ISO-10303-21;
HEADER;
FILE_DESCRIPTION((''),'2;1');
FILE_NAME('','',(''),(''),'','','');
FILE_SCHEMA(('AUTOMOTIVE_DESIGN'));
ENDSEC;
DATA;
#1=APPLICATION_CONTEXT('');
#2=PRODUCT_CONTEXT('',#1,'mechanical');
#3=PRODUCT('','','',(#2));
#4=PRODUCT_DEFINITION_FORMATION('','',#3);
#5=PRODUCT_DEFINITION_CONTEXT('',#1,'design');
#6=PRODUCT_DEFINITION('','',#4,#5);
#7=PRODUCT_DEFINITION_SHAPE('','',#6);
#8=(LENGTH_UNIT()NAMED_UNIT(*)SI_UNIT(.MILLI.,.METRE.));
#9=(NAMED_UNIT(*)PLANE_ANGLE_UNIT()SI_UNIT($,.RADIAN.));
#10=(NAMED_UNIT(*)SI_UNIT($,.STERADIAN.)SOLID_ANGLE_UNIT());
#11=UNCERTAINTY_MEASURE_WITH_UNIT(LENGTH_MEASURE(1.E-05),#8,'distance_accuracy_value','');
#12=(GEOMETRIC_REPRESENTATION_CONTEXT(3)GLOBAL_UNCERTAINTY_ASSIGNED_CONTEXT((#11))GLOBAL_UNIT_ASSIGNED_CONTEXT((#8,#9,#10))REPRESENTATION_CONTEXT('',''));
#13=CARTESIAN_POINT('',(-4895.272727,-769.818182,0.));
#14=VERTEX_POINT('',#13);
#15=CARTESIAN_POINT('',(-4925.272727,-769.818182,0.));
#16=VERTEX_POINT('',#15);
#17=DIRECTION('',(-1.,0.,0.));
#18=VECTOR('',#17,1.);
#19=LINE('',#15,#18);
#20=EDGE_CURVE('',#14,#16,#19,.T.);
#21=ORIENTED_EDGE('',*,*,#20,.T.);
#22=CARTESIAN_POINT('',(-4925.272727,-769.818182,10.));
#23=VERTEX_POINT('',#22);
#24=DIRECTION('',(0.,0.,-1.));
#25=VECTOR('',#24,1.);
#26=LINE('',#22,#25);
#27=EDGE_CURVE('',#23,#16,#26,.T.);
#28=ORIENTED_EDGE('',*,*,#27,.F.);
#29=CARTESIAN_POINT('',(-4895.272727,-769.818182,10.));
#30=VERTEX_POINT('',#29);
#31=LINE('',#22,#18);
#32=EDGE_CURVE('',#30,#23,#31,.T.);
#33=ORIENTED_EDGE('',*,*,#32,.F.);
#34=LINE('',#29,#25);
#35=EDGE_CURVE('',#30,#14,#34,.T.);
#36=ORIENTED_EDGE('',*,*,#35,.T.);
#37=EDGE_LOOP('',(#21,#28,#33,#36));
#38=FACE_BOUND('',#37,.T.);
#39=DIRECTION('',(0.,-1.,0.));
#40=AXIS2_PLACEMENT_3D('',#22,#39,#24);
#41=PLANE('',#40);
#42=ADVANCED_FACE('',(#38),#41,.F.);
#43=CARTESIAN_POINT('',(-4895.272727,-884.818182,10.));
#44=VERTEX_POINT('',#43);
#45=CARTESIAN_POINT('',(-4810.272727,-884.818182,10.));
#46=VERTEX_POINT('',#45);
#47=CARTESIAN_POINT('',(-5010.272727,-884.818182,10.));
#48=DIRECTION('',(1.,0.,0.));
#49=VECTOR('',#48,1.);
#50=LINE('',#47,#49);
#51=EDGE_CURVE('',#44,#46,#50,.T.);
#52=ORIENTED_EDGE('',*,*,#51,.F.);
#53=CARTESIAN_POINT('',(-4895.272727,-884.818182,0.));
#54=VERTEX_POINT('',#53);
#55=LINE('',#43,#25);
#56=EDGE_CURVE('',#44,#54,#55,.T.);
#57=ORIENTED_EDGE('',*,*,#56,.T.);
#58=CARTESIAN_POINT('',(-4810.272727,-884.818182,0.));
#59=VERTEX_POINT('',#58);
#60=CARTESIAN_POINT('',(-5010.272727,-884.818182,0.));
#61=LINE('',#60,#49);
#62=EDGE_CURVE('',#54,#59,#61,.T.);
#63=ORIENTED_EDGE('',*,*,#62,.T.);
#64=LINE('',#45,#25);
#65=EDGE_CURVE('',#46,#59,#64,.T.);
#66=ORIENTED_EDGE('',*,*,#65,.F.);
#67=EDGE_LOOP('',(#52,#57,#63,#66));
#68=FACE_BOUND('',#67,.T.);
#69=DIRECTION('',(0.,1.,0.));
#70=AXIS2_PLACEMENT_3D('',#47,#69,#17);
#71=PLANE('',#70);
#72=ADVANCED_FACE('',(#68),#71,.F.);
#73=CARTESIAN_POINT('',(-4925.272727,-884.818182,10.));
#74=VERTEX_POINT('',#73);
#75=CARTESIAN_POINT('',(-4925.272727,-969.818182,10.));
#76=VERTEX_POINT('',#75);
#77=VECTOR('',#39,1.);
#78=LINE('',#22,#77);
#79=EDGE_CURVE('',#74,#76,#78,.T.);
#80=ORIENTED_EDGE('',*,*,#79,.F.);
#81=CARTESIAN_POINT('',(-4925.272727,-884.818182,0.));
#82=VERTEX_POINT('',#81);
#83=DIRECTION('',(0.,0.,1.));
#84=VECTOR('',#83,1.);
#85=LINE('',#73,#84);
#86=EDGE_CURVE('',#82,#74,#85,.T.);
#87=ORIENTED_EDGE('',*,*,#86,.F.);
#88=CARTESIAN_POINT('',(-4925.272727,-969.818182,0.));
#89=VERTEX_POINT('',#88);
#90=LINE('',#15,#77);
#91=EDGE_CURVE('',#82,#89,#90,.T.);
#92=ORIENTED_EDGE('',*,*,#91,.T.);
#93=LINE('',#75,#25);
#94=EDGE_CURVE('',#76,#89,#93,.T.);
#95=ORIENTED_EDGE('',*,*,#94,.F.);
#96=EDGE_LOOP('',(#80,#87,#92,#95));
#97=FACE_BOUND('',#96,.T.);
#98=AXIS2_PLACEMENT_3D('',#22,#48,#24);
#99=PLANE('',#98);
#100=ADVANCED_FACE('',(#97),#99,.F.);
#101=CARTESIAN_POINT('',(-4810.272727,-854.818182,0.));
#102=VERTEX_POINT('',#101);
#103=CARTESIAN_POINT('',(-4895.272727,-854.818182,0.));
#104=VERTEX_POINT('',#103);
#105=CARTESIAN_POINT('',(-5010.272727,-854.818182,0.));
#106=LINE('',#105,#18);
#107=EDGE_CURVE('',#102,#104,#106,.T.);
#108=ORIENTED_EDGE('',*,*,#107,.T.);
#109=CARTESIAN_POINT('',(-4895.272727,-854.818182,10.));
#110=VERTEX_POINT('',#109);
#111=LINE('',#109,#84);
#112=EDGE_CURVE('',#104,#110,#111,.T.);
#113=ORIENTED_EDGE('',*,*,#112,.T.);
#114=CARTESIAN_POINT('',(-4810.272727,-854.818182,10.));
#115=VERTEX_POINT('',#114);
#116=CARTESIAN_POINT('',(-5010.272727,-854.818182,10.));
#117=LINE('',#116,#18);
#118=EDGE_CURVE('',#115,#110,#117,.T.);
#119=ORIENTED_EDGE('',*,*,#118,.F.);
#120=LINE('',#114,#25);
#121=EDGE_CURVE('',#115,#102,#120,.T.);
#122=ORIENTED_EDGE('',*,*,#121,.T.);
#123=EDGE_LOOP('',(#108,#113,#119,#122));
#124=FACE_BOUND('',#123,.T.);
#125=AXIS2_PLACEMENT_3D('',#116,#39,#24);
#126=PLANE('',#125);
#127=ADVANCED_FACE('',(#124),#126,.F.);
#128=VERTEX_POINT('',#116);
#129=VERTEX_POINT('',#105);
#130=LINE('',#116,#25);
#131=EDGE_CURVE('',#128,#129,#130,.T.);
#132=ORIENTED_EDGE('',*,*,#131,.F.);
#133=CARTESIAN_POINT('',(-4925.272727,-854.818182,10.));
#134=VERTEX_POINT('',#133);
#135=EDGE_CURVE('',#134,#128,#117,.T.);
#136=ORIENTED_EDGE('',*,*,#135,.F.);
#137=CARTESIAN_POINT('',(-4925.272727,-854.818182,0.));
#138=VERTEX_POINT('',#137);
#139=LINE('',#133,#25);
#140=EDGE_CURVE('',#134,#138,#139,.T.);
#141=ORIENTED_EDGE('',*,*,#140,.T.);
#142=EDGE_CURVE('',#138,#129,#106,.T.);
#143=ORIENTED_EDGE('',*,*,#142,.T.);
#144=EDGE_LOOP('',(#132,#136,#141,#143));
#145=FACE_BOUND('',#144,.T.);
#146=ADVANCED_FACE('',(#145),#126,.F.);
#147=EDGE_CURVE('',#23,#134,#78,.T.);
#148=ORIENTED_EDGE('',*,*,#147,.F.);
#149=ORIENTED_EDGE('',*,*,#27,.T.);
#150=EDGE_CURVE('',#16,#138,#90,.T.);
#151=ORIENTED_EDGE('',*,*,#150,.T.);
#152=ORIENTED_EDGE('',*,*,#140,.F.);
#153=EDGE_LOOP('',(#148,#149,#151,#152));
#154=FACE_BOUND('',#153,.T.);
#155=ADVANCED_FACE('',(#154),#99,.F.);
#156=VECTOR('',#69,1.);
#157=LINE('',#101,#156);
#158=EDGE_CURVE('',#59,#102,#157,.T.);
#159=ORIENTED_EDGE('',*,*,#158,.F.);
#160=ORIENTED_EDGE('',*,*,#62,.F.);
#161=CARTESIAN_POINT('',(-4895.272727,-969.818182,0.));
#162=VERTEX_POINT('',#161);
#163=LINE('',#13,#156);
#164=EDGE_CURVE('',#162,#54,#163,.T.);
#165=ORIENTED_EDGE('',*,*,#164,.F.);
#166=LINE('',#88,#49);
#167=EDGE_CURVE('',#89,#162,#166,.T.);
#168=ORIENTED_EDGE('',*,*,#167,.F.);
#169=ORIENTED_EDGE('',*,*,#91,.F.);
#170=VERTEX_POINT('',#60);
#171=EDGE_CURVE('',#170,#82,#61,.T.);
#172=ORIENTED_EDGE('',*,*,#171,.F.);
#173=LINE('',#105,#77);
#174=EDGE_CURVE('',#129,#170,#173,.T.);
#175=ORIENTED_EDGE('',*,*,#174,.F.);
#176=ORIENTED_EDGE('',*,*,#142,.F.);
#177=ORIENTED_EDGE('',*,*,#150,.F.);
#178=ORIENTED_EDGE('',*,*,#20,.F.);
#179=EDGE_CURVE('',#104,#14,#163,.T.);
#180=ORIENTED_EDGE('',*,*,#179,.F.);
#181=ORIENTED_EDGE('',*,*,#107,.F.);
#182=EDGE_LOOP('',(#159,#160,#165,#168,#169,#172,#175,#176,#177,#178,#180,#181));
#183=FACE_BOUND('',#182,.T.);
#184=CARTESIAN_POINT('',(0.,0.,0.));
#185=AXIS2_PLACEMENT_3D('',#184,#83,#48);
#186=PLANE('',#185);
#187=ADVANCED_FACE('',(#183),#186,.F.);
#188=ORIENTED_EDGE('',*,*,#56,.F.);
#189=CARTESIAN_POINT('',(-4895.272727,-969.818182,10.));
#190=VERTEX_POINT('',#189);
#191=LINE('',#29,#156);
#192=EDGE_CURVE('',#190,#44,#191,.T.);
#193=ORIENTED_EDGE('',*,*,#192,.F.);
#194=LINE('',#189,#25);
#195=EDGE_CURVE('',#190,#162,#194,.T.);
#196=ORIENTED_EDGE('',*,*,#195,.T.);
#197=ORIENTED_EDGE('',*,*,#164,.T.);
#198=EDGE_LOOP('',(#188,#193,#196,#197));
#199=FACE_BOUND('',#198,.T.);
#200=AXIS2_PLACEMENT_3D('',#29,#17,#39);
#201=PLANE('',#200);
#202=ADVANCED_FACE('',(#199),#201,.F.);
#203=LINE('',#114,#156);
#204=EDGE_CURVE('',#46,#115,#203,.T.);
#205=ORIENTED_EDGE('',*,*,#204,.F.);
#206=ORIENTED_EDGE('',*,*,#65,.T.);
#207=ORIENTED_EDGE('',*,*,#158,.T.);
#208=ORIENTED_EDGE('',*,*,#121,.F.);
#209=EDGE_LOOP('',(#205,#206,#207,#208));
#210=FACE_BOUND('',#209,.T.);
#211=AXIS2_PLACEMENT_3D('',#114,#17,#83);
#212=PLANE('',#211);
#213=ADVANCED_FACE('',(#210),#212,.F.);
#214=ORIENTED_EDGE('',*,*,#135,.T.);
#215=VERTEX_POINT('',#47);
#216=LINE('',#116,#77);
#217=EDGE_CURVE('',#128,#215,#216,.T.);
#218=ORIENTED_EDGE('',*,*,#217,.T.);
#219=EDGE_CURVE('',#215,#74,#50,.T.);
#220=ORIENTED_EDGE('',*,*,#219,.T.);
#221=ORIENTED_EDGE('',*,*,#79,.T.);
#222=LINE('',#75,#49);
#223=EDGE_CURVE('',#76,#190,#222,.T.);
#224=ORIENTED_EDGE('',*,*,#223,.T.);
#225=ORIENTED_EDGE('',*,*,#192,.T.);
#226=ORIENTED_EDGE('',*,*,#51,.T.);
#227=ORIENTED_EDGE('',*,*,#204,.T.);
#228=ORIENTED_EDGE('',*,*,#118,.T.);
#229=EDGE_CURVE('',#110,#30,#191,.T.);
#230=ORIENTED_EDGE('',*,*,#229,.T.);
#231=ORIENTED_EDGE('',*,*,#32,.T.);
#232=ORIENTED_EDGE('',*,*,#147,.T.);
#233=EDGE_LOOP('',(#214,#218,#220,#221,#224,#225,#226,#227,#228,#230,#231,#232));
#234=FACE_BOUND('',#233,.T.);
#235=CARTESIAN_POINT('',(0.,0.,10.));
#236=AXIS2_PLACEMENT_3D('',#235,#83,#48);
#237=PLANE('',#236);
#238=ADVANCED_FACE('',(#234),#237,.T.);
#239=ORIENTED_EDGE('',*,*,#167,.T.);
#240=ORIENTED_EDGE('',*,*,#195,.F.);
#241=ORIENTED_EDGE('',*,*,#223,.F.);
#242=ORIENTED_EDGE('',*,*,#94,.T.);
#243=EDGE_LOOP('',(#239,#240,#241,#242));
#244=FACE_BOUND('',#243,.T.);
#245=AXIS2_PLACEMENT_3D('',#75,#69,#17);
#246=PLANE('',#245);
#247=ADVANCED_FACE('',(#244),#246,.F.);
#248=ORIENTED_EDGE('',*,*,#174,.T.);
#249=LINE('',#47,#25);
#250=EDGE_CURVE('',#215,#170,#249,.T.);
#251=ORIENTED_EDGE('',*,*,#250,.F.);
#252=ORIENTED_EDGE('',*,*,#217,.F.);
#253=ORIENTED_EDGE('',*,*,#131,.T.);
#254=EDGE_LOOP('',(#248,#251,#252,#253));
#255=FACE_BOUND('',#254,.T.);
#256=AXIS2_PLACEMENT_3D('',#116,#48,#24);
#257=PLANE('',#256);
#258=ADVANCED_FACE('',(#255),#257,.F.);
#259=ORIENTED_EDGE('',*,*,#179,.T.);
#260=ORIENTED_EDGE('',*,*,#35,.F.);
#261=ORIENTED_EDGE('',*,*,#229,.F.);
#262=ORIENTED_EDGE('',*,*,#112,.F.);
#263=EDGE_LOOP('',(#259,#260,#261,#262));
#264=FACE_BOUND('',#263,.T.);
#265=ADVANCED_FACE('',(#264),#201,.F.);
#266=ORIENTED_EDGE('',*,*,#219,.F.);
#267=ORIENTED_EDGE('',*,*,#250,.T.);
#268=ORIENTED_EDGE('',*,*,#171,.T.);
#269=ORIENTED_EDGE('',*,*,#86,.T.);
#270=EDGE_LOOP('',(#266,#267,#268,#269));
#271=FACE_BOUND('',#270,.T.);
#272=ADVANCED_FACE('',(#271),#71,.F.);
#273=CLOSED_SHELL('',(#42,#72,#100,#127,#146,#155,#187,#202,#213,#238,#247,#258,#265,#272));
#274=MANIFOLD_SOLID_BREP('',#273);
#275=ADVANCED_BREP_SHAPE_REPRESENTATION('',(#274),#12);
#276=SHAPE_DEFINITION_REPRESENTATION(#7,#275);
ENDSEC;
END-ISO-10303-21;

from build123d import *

# Parameters (mm, degrees)
SKETCH1_W           = 30
SKETCH1_H           = 200
BOSS_EXTRUDE1_DEPTH = 10
SKETCH2_W           = 200
SKETCH2_H           = 30
BOSS_EXTRUDE2_DEPTH = 10


with BuildPart() as part:
    # Sketch1 → Boss-Extrude1 (new body)
    with BuildSketch(Plane.XY):
        with Locations((-4910.272727273, -869.818181818)):
            Rectangle(SKETCH1_W, SKETCH1_H)
    extrude(amount=BOSS_EXTRUDE1_DEPTH)

    # Sketch2 → Boss-Extrude2 (add)
    with BuildSketch(Plane.XY):
        with Locations((-4910.272727273, -869.818181818)):
            Rectangle(SKETCH2_W, SKETCH2_H)
    extrude(amount=BOSS_EXTRUDE2_DEPTH)


solid = part.part
